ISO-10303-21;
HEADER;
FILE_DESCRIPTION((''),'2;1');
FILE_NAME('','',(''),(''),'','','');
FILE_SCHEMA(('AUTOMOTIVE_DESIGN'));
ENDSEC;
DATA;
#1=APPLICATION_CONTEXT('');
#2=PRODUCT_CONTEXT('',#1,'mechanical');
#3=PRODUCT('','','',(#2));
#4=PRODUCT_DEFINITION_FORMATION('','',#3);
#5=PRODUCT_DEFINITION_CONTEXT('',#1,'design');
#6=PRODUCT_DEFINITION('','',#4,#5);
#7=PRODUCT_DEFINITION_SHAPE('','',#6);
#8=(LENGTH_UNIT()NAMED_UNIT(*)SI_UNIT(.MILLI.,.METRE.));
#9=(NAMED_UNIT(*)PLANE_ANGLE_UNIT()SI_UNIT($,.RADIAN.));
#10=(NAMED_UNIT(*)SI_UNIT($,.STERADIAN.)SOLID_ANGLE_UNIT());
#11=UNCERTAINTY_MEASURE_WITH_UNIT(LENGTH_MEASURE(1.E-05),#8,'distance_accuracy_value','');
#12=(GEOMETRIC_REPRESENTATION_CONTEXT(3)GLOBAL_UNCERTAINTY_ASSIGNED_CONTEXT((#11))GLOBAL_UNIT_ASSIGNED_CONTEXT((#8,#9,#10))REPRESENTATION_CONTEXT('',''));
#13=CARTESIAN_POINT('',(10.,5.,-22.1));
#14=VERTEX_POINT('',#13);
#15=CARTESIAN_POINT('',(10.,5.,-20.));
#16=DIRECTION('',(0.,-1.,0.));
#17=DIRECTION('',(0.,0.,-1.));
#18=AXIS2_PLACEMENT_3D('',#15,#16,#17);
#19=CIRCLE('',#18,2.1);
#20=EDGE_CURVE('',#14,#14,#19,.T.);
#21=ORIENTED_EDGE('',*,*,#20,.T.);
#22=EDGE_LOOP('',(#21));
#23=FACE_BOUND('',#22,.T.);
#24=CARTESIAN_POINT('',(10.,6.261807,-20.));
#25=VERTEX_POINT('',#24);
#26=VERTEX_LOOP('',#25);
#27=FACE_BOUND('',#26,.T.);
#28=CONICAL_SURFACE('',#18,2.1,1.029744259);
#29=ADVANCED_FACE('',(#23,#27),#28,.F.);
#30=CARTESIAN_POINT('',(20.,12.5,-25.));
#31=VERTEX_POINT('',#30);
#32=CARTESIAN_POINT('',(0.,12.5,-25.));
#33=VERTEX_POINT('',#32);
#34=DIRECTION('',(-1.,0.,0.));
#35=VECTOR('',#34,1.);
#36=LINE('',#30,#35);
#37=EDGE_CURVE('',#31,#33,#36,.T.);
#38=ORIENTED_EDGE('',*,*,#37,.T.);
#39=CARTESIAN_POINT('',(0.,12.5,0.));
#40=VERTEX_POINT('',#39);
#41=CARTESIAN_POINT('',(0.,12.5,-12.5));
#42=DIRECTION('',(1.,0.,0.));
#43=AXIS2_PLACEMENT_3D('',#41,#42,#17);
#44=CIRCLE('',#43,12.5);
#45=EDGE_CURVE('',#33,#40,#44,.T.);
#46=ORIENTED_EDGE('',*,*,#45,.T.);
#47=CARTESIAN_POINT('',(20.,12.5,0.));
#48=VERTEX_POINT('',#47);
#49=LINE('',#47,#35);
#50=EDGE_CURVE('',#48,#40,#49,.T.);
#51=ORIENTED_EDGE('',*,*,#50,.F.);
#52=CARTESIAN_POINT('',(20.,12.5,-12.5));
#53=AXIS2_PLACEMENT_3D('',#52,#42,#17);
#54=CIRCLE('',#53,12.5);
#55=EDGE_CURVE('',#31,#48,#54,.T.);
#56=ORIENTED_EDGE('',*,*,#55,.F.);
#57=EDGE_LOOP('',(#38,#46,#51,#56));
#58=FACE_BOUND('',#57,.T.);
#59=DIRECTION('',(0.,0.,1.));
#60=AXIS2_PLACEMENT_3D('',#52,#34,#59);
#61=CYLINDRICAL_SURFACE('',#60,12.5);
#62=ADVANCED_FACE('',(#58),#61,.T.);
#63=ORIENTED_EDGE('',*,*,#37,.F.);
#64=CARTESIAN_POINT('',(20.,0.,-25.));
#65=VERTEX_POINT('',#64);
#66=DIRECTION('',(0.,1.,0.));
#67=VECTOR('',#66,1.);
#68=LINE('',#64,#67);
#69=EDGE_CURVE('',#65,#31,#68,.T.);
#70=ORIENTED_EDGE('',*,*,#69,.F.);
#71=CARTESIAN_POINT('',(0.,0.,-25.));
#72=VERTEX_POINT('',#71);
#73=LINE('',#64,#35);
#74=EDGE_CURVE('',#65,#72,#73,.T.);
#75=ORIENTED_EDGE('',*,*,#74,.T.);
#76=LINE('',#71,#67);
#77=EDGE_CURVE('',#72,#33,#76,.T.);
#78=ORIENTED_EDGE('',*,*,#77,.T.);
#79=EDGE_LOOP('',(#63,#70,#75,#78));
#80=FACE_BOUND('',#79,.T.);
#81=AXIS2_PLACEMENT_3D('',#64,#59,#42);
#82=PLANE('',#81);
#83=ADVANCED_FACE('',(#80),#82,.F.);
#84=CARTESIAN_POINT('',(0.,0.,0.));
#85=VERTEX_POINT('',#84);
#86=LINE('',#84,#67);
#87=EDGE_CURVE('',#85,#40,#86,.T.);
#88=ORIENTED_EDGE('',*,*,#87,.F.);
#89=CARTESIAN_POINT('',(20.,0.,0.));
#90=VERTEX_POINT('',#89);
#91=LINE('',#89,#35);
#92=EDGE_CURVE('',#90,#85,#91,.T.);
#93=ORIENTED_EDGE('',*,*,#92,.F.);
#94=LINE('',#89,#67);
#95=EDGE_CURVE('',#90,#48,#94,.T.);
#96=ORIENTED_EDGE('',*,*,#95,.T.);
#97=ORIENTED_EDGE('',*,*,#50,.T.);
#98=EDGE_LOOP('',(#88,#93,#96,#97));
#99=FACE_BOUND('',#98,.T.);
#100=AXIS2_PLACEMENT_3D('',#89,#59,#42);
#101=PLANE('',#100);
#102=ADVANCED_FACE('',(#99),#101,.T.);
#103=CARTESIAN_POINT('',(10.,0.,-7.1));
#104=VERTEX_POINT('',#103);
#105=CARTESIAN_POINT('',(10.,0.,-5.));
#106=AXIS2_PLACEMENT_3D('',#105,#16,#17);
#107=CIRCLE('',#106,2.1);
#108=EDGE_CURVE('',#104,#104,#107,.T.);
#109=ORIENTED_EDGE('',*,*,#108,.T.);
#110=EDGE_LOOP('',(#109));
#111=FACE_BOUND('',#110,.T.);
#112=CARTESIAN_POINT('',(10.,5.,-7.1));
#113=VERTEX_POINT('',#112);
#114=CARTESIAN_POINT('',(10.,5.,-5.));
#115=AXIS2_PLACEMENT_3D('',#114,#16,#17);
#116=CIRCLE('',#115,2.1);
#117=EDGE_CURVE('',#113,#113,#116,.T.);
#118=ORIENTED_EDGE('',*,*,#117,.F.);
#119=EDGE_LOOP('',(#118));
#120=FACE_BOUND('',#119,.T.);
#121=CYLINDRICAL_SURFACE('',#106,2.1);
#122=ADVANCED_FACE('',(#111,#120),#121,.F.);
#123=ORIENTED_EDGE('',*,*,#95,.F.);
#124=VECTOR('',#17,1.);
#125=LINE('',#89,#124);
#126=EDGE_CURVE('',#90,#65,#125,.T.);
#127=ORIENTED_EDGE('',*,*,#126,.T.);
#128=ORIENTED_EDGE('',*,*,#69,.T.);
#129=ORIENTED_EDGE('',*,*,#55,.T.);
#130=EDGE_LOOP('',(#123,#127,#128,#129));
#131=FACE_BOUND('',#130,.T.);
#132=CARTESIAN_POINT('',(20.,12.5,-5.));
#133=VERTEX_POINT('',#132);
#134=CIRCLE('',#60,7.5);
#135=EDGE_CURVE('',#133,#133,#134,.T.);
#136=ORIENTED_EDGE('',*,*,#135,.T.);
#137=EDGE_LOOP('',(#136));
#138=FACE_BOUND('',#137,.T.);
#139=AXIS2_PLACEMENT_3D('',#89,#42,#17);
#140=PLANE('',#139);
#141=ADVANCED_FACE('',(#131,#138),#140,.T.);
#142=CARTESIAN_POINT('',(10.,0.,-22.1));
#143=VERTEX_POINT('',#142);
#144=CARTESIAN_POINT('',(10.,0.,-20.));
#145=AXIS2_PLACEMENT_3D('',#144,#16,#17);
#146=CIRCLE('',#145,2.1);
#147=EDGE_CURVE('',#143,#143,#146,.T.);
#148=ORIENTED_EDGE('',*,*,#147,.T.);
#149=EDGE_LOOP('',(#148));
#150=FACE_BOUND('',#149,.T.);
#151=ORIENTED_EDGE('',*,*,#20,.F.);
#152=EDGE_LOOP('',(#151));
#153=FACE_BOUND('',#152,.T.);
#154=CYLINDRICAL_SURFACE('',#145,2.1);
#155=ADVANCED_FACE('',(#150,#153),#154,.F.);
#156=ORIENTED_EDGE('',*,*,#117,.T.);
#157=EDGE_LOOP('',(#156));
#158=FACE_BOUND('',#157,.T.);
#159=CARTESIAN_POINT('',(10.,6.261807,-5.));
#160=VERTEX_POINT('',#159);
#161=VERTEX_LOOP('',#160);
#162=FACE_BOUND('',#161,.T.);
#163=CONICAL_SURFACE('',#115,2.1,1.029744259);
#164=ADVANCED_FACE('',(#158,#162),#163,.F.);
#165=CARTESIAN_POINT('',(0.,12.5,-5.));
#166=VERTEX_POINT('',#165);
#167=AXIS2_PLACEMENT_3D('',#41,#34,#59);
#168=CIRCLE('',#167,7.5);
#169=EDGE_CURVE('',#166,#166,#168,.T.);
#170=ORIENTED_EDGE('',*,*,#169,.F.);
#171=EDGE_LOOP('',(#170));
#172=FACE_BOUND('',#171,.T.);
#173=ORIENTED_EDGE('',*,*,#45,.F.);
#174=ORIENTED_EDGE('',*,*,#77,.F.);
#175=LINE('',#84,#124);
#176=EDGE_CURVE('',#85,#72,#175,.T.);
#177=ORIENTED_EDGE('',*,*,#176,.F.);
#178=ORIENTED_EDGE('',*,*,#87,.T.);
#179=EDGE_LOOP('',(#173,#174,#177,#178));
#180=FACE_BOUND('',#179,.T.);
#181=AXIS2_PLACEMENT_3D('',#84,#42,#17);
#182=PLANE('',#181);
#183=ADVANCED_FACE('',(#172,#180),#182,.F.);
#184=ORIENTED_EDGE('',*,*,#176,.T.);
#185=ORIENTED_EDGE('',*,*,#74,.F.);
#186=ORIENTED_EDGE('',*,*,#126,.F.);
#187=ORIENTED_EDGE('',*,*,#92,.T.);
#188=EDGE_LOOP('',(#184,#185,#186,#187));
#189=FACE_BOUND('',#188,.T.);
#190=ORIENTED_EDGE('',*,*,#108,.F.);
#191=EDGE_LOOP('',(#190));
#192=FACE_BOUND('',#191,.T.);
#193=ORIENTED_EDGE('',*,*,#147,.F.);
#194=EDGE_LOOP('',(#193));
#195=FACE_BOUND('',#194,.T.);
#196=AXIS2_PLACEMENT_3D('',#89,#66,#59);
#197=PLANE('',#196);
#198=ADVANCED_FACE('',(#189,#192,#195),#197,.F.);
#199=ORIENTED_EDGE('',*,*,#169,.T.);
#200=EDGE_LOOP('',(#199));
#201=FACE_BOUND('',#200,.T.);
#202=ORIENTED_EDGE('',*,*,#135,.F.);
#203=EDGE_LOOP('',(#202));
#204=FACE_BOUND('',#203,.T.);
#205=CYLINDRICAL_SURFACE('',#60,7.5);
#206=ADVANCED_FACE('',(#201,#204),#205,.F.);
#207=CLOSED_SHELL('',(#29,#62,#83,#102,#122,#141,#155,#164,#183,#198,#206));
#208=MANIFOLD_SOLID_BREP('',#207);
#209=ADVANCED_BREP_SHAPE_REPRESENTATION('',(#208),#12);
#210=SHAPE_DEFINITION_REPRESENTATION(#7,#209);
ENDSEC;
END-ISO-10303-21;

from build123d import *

# Parameters (mm, degrees)
ESQUISSE3_R             = 12.5
ESQUISSE3_W             = 25
ESQUISSE3_H             = 12.5
BOSS_EXTRU_2_DEPTH      = 20
ESQUISSE4_R             = 7.5
ENL_V_MAT_EXTRU_1_DEPTH = 41.620192023
TROU_TARAUD_M51_D       = 4.2
TROU_TARAUD_M51_DEPTH   = 5
TROU_TARAUD_M51_TIP     = 1.2618073


with BuildPart() as part:
    # Esquisse3 → Boss.-Extru.2 (new body)
    with BuildSketch(Plane(origin=(0, 0, 0), x_dir=(0, 0, -1), z_dir=(1, 0, 0))):
        with Locations((12.5, 12.5)):
            Circle(ESQUISSE3_R)
        with Locations((12.5, 6.25)):
            Rectangle(ESQUISSE3_W, ESQUISSE3_H)
    extrude(amount=BOSS_EXTRU_2_DEPTH)

    # Esquisse4 → Enlèv. mat.-Extru.1 (cut, through all)
    with BuildSketch(Plane.ZY):
        with Locations((-12.5, 12.5)):
            Circle(ESQUISSE4_R)
    extrude(amount=-ENL_V_MAT_EXTRU_1_DEPTH, mode=Mode.SUBTRACT)

    # Trou taraudé M51
    with Locations(Plane(origin=(10, 0, -5), x_dir=(0, 0, -1), z_dir=(0, -1, 0))):
        with Locations((0, 0), (15, 0)):
            Hole(TROU_TARAUD_M51_D / 2, depth=TROU_TARAUD_M51_DEPTH)
            with Locations((0, 0, -(TROU_TARAUD_M51_DEPTH + TROU_TARAUD_M51_TIP / 2))):  # 118° drill point
                Cone(0, TROU_TARAUD_M51_D / 2, TROU_TARAUD_M51_TIP, mode=Mode.SUBTRACT)


solid = part.part
